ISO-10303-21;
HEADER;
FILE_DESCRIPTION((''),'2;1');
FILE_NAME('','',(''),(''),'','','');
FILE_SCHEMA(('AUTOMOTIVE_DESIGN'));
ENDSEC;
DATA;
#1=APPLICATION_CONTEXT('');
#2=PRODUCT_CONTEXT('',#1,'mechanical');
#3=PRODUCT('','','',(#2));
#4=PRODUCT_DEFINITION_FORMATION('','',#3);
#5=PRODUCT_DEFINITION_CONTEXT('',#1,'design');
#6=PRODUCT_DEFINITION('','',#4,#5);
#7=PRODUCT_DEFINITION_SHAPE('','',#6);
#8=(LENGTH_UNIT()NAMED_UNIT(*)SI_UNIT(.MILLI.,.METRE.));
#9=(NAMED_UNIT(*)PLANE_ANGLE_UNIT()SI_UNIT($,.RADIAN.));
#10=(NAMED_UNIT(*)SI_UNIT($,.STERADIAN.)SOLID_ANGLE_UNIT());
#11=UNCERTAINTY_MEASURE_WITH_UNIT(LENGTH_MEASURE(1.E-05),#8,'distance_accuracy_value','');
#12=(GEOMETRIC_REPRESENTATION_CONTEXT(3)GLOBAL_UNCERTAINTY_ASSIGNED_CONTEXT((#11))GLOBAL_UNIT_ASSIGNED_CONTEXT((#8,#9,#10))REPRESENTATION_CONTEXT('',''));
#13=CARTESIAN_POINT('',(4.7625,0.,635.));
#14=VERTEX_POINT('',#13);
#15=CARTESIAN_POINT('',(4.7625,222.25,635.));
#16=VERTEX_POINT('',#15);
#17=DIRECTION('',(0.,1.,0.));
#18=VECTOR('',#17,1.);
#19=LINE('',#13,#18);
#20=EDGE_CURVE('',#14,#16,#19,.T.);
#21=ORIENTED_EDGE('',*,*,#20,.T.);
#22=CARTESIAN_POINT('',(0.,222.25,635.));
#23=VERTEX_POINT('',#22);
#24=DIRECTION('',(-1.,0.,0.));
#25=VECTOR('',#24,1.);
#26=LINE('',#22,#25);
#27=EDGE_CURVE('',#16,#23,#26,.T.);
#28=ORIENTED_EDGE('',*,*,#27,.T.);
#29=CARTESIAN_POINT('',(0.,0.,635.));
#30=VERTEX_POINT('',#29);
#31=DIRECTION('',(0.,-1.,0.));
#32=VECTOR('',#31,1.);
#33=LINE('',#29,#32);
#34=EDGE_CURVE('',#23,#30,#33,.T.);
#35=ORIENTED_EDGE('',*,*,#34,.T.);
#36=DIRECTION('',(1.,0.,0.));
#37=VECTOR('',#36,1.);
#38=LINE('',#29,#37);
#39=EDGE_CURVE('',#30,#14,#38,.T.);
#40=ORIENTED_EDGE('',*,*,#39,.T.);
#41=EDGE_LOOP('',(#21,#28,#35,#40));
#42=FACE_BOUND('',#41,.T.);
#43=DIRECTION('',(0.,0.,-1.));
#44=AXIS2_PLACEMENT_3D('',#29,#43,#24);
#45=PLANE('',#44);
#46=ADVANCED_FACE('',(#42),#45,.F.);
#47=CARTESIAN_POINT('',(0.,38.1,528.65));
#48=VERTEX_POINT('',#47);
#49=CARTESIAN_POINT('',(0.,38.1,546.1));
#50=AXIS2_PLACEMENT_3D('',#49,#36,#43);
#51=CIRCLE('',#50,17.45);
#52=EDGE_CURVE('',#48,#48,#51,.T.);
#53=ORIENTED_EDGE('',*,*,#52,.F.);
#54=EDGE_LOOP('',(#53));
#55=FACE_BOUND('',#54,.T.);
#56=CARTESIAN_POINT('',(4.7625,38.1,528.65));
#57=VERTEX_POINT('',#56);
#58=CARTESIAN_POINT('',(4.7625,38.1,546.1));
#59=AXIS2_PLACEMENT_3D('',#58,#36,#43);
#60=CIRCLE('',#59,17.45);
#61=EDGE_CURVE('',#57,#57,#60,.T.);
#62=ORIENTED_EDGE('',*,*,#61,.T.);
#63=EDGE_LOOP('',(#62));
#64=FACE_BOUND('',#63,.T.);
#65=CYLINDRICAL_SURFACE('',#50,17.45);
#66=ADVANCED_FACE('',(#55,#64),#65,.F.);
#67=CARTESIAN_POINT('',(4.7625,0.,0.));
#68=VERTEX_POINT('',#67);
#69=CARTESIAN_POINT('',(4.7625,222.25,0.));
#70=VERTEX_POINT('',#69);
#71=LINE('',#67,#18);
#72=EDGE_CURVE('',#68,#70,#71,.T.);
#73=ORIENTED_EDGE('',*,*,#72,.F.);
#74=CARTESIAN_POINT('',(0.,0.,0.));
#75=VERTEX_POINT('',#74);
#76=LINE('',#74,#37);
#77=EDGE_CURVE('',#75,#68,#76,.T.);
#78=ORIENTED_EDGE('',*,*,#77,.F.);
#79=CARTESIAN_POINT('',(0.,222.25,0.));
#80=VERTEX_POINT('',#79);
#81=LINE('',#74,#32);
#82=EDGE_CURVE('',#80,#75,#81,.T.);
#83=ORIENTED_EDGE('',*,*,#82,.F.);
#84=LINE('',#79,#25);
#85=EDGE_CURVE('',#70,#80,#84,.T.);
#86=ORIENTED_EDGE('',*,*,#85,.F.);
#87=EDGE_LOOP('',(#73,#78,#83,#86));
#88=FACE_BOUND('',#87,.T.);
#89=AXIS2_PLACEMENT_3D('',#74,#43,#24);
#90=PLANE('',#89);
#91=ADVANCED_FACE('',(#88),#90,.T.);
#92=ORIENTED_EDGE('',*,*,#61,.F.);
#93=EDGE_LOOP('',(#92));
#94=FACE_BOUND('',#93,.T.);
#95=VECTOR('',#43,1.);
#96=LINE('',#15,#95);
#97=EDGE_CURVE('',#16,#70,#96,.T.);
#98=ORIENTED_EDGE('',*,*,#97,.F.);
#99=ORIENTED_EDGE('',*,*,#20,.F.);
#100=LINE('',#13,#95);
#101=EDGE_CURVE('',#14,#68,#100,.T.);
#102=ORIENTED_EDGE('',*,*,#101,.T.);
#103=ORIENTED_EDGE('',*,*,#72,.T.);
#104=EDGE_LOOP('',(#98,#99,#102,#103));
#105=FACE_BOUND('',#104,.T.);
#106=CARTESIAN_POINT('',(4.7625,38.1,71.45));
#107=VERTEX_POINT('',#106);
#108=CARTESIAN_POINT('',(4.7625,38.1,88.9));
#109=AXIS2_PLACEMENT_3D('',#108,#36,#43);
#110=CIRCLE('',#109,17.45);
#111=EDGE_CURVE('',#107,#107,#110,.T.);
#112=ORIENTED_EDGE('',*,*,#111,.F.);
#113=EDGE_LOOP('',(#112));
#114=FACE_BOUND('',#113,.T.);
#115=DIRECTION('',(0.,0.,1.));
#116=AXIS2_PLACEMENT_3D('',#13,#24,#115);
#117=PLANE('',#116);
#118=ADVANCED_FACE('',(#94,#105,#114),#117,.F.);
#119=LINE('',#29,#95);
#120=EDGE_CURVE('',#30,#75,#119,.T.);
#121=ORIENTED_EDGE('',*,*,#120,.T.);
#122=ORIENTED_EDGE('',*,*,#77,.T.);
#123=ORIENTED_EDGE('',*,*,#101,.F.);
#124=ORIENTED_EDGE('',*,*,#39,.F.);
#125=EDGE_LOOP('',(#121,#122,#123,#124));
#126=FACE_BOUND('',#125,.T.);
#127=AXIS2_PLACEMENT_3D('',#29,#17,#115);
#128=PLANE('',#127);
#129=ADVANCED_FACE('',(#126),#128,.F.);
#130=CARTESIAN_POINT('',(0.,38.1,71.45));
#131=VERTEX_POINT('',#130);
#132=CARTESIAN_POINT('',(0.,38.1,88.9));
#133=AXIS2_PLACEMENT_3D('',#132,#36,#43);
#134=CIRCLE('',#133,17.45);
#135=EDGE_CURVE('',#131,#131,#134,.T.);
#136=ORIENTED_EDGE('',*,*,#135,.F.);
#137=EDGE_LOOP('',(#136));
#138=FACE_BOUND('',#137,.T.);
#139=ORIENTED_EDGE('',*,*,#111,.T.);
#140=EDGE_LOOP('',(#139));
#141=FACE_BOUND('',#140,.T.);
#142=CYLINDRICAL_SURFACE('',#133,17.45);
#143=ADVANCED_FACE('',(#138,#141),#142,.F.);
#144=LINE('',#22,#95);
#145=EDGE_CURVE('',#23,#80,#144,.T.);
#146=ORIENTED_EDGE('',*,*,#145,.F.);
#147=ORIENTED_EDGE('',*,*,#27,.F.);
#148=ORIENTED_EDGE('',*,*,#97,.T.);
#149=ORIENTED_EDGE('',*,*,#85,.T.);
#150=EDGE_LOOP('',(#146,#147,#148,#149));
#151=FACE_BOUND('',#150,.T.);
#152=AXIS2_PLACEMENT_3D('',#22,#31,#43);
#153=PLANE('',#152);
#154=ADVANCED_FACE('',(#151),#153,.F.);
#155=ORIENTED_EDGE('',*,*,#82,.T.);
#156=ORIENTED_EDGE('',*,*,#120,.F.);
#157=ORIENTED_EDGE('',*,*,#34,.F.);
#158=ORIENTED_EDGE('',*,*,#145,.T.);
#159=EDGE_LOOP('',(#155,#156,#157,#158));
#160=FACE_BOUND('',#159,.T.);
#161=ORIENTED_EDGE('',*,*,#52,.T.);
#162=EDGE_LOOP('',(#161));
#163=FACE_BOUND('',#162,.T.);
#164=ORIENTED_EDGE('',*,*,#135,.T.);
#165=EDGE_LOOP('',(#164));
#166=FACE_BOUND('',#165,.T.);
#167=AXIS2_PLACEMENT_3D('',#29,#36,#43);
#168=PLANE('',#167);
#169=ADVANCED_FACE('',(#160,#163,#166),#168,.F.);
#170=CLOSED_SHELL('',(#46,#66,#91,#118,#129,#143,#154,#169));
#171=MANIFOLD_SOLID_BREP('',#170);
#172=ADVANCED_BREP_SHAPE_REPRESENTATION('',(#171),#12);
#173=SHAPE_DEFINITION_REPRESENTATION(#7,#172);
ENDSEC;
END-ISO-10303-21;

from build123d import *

# Parameters (mm, degrees)
SKETCH1_W           = 4.7625
SKETCH1_H           = 222.25
BOSS_EXTRUDE1_DEPTH = 635
SKETCH2_R           = 17.45
CUT_EXTRUDE1_DEPTH  = 5.7625


with BuildPart() as part:
    # Sketch1 → Boss-Extrude1 (new body)
    with BuildSketch(Plane.XY):
        with Locations((2.38125, 111.125)):
            Rectangle(SKETCH1_W, SKETCH1_H)
    extrude(amount=BOSS_EXTRUDE1_DEPTH)

    # Sketch2 → Cut-Extrude1 (cut, through all)
    with BuildSketch(Plane(origin=(4.7625, 0, 0), x_dir=(0, 0, -1), z_dir=(1, 0, 0))):
        with Locations((-546.1, 38.1)):
            Circle(SKETCH2_R)
        with Locations((-88.9, 38.1)):
            Circle(SKETCH2_R)
    extrude(amount=-CUT_EXTRUDE1_DEPTH, mode=Mode.SUBTRACT)


solid = part.part
